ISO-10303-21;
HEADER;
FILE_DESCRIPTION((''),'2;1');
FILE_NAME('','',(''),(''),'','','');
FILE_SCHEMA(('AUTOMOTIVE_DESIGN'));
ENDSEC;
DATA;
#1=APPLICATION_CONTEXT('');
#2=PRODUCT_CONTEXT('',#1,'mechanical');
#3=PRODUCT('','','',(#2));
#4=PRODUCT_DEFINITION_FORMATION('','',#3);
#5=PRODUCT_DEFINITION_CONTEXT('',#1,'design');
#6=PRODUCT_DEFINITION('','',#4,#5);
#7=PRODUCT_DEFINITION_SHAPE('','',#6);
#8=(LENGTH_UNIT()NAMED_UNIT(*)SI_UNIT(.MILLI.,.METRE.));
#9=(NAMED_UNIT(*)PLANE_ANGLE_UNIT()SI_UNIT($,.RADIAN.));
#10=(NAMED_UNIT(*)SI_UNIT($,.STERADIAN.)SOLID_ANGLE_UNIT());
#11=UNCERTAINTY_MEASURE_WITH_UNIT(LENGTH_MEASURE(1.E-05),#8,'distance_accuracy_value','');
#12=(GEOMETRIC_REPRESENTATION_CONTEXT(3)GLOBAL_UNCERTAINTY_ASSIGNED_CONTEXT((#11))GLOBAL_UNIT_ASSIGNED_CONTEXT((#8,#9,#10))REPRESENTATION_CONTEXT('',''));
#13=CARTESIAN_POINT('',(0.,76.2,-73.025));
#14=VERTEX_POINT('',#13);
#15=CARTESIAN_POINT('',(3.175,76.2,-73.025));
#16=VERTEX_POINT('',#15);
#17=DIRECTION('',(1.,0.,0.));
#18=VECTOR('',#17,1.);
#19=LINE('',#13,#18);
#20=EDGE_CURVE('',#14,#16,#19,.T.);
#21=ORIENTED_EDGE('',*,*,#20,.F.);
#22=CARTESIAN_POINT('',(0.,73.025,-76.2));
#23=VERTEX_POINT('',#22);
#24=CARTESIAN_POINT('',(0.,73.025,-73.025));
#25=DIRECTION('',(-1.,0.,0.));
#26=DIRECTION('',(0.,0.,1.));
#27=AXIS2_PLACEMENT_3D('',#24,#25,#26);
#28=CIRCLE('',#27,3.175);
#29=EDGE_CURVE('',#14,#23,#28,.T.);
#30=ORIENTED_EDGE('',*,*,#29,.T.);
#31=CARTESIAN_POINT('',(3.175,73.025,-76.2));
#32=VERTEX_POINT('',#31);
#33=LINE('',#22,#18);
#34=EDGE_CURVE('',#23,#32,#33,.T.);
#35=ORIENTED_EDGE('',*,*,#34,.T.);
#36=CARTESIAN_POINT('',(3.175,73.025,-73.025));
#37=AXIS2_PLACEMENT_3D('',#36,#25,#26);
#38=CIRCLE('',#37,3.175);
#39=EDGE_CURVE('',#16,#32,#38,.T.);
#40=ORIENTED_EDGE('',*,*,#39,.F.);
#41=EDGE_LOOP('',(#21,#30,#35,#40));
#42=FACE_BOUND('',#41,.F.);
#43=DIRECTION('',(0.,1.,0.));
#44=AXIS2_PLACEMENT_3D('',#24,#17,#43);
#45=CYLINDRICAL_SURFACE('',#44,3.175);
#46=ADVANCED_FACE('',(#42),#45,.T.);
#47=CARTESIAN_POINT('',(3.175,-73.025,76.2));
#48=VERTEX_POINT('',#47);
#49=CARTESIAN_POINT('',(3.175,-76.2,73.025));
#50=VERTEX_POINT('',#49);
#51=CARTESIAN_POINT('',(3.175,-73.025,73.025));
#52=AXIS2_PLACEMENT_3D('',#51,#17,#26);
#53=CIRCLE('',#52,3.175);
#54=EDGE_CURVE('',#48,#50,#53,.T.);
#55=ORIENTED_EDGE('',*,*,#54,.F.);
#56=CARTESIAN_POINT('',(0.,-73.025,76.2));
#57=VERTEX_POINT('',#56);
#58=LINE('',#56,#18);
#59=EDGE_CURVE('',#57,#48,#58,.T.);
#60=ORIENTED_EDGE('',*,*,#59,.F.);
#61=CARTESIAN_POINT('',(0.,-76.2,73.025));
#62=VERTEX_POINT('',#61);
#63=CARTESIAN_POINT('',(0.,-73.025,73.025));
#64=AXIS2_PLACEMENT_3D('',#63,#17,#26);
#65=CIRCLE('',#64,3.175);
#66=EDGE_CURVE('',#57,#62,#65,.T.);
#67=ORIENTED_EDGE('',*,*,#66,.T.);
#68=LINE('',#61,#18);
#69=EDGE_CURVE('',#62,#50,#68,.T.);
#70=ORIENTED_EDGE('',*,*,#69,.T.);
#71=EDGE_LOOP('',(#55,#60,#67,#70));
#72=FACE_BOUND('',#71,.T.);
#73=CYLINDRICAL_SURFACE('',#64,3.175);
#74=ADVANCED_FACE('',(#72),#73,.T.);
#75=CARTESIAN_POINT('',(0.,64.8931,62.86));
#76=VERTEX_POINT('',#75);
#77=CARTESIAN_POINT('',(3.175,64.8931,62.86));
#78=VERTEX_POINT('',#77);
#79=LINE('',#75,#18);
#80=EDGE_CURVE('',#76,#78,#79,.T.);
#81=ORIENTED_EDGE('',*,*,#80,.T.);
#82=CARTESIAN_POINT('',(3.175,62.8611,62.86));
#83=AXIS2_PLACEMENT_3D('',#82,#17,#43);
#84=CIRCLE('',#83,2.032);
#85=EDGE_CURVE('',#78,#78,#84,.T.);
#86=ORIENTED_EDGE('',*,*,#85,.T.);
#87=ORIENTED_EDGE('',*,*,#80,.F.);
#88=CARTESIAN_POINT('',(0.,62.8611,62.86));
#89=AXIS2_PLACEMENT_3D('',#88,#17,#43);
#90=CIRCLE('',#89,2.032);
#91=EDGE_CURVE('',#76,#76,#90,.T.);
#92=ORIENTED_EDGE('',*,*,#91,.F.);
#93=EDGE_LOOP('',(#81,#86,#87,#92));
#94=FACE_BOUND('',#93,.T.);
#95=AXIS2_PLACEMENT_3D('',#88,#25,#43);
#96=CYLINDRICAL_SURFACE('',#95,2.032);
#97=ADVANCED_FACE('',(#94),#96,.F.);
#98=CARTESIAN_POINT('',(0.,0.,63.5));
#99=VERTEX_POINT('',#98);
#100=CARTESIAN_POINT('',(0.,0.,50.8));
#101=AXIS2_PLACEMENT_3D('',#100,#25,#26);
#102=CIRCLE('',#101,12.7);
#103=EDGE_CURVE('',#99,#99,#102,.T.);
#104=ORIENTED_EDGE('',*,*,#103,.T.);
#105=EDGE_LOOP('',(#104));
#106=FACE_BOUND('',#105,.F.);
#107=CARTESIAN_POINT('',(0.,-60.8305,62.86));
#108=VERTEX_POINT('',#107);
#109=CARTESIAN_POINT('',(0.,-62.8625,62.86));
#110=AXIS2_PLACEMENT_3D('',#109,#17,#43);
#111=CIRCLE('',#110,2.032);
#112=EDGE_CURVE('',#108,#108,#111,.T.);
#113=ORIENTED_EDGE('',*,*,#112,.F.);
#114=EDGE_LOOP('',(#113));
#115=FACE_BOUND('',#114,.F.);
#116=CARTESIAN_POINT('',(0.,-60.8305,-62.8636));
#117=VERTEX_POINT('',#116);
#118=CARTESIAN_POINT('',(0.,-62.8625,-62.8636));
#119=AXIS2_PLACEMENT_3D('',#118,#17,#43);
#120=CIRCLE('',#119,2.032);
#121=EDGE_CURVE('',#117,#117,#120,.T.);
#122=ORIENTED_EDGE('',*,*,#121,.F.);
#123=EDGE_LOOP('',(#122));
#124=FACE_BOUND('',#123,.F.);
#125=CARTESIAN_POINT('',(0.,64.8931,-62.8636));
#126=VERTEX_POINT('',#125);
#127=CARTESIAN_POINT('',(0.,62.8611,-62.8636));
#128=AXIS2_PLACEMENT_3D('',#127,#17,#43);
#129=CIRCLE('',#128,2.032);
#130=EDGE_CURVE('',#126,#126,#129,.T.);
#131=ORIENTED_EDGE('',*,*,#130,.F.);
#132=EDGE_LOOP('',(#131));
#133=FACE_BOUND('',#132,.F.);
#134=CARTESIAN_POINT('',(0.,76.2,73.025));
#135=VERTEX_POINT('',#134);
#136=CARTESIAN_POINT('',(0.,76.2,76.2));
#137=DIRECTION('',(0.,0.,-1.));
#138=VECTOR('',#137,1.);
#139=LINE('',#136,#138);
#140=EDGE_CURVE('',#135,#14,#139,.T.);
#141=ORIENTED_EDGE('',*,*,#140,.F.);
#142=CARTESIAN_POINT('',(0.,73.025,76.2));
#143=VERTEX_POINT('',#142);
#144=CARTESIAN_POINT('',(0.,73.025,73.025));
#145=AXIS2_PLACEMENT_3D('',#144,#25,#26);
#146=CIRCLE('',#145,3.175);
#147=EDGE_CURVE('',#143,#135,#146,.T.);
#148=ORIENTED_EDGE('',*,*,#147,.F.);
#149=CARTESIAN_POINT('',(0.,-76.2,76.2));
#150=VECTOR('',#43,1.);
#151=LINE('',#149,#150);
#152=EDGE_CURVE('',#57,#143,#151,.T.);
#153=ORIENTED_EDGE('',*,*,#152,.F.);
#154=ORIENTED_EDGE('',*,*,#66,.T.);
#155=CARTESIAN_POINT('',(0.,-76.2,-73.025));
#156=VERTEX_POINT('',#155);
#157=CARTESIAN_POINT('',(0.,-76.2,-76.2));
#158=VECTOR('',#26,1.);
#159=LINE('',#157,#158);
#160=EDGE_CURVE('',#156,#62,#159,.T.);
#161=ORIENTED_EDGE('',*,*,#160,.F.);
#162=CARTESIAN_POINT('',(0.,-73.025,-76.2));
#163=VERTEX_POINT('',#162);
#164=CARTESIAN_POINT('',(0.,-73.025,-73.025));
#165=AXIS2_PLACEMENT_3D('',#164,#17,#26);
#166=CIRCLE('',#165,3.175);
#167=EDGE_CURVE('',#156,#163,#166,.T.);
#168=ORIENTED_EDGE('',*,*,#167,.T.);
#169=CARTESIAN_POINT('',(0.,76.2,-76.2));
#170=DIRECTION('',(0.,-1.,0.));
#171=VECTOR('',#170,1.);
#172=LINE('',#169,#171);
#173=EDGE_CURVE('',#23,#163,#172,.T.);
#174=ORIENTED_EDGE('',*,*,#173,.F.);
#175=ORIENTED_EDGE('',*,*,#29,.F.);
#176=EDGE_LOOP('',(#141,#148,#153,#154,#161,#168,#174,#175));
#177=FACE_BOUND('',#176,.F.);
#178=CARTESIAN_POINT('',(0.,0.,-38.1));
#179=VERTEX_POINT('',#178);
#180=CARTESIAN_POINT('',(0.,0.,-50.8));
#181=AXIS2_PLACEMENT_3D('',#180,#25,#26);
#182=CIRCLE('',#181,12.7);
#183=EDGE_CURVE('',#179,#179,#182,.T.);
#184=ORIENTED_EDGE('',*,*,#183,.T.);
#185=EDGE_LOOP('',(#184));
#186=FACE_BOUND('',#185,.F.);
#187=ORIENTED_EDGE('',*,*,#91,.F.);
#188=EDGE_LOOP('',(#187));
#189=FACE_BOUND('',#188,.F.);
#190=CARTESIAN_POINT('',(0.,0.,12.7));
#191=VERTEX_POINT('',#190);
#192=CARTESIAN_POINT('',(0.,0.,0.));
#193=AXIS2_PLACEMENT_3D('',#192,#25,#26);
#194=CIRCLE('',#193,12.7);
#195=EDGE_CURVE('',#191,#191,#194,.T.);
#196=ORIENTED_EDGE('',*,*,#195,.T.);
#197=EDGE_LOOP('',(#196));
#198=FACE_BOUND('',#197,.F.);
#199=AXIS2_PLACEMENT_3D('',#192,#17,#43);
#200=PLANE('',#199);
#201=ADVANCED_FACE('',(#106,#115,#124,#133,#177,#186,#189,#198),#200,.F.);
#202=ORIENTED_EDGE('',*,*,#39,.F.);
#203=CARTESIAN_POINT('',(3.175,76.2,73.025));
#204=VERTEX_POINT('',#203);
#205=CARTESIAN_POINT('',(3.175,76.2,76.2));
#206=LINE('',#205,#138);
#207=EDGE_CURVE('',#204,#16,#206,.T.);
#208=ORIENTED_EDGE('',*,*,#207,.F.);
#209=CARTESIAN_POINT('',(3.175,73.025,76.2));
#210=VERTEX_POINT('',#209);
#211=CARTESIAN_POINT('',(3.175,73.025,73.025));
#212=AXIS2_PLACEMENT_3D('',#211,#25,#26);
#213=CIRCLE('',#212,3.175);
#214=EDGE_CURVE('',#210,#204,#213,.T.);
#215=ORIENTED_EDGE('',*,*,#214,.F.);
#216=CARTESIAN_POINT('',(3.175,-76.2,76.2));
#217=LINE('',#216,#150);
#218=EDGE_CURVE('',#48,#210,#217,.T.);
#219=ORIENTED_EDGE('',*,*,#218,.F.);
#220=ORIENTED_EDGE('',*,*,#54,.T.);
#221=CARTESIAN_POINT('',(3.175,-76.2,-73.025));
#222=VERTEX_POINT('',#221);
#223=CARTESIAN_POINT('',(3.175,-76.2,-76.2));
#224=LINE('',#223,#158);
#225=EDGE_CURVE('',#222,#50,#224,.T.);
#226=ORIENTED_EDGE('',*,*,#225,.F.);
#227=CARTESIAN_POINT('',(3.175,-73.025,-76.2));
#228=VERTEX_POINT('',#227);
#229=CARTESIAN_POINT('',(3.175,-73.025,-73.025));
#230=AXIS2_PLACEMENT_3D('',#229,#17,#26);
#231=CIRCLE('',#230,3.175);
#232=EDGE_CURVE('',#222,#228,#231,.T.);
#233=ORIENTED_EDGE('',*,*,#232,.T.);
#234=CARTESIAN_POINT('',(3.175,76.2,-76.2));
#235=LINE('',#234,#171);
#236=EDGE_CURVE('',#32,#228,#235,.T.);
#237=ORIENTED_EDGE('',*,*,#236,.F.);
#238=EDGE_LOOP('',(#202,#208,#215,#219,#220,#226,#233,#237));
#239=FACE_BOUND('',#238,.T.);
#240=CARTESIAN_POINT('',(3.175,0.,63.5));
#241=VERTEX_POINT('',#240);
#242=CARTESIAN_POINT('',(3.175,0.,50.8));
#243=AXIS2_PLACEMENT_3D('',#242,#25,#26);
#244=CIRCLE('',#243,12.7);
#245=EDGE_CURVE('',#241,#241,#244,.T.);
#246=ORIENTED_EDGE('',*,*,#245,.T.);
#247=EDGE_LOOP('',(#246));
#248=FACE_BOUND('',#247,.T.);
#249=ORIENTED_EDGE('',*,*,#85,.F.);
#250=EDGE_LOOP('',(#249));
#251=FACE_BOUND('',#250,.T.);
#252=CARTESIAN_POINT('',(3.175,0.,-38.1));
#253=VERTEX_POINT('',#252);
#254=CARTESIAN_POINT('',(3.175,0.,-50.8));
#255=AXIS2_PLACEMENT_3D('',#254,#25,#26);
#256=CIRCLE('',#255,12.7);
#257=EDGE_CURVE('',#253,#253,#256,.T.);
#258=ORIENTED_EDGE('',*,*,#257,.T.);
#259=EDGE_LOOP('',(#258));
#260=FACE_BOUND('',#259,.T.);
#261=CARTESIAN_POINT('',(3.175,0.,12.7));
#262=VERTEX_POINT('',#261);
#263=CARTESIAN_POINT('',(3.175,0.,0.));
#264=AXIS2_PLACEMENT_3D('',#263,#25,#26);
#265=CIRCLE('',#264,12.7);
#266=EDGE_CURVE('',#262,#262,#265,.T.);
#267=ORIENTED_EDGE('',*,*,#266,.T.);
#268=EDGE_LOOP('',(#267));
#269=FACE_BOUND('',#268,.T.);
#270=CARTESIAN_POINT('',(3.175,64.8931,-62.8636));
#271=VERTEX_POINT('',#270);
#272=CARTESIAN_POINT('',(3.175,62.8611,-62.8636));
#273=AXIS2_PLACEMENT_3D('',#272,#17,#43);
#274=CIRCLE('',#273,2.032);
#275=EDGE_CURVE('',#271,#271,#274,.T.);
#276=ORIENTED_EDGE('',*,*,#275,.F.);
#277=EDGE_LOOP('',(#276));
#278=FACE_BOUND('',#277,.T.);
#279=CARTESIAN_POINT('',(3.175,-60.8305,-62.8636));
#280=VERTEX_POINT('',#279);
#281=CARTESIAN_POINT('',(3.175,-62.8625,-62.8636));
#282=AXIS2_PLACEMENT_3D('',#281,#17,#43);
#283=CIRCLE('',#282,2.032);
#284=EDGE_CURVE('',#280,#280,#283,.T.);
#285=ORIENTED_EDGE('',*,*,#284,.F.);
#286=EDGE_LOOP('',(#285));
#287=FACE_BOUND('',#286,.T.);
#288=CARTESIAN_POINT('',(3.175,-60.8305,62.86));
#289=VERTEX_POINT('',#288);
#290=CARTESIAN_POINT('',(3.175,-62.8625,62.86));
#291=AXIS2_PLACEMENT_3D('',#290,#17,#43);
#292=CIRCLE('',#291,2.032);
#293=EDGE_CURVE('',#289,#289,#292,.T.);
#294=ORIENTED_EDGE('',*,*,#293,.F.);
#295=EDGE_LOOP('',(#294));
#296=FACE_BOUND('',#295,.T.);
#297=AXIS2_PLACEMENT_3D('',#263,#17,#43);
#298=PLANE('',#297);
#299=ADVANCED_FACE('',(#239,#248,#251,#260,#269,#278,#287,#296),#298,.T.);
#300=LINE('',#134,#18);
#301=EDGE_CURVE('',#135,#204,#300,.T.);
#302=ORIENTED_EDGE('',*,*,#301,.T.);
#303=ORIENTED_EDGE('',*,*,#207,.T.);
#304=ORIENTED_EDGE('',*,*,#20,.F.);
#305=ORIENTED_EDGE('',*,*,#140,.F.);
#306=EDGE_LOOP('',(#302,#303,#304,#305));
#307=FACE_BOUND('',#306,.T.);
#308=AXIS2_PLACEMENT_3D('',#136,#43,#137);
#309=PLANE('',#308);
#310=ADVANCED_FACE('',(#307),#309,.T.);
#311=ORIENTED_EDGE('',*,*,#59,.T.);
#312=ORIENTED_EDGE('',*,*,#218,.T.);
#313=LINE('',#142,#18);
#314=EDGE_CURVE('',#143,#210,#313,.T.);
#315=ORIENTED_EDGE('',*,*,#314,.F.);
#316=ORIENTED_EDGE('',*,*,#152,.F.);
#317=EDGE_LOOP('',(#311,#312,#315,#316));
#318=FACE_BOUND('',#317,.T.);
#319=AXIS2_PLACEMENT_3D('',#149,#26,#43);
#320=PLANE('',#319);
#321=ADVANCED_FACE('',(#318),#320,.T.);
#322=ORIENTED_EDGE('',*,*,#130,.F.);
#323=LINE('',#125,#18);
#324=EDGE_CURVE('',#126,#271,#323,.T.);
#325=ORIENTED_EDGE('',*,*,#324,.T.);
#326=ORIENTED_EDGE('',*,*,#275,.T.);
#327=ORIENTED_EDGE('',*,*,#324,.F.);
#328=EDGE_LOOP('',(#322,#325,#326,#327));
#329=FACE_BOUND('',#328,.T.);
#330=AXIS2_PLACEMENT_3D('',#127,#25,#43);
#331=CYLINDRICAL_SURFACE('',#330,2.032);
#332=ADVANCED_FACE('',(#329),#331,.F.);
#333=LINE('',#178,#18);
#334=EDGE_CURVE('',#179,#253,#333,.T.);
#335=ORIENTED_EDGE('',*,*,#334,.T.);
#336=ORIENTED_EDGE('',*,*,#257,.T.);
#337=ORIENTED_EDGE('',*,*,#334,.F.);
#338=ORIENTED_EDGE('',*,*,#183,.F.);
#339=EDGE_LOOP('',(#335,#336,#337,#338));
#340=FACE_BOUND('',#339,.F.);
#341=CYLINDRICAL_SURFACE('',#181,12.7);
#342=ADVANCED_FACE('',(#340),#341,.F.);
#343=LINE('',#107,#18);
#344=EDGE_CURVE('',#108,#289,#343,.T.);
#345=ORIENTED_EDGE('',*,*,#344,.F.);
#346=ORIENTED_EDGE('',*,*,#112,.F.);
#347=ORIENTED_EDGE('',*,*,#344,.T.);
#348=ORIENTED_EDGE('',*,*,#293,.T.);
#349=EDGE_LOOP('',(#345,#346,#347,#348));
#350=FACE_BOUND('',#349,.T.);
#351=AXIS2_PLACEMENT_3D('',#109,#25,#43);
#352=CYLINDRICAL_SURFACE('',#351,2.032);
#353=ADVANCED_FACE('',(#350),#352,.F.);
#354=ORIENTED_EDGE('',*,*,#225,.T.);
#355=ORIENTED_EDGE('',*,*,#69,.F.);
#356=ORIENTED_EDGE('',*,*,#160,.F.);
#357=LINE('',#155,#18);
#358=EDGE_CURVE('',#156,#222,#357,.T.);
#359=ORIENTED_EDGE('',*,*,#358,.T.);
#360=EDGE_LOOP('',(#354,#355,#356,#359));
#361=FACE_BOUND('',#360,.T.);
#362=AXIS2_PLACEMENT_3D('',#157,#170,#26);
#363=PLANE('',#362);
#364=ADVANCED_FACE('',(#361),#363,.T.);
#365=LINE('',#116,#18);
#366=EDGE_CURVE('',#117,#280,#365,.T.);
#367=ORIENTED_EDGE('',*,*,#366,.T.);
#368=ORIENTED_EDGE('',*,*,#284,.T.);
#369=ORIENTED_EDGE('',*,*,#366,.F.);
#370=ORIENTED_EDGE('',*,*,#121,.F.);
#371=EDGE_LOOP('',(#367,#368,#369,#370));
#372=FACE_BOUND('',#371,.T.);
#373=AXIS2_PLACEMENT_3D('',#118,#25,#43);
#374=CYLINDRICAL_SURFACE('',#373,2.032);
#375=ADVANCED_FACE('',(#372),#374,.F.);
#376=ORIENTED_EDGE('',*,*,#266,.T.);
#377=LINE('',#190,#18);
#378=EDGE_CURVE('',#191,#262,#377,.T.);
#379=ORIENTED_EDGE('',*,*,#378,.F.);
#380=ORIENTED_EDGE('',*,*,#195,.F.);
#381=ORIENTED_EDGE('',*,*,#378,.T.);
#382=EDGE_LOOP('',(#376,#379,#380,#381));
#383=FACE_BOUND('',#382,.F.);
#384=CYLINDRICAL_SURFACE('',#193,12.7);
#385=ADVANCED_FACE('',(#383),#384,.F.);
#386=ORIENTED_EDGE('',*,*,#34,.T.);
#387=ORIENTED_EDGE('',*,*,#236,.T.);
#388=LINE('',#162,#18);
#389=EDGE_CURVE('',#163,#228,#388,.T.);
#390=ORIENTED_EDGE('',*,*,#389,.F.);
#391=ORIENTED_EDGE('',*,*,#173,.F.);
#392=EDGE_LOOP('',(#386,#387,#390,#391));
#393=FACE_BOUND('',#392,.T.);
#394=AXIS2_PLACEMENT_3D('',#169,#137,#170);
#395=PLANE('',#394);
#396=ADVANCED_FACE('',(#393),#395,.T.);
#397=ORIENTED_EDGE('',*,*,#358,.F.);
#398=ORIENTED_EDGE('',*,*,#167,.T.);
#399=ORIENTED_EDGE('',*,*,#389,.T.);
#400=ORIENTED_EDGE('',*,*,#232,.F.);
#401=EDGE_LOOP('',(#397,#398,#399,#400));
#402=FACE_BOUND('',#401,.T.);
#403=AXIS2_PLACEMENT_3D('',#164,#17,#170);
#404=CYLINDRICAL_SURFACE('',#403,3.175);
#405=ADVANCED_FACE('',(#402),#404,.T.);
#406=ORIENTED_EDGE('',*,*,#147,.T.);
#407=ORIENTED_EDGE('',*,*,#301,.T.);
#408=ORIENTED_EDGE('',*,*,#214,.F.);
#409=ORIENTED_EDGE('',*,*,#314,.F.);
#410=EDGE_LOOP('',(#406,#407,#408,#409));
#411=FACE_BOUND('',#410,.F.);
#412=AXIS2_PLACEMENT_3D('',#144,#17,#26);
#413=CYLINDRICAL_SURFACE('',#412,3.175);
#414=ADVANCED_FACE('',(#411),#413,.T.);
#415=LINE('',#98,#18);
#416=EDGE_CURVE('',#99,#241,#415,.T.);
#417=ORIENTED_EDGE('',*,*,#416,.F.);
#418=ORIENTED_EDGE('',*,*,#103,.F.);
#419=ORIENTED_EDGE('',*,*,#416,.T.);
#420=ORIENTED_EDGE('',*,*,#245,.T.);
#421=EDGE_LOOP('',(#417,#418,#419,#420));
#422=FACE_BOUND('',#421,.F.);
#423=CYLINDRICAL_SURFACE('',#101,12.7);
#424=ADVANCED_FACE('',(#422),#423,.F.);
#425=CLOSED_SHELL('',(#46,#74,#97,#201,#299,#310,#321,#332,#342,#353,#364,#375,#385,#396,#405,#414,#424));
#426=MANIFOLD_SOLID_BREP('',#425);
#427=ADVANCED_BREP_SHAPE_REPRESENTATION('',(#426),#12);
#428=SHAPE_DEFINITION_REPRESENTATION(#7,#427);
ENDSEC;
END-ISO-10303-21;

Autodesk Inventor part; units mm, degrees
ref_plane "YZ Plane" through (0, 0, 0) normal (1, 0, 0) x (0, 1, 0)
ref_plane "XZ Plane" through (0, 0, 0) normal (0, 1, 0) x (-1, 0, 0)
ref_plane "XY Plane" through (0, 0, 0) normal (0, 0, 1) x (1, 0, 0)
sketch "Sketch1" plane through (0, 0, 0) normal (1, 0, 0) x (0, 1, 0)
  line L0 (-76.2, 76.2) -> (76.2, 76.2)
  line L1 (76.2, 76.2) -> (76.2, -76.2)
  line L2 (76.2, -76.2) -> (-76.2, -76.2)
  line L3 (-76.2, -76.2) -> (-76.2, 76.2)
  circle A0 centre (62.8611, 62.86) radius 2.032
  circle A1 centre (-62.8625, -62.8636) radius 2.032
  circle A2 centre (-0.0007, -88.9018) radius 2.032
  circle A3 centre (-62.8625, 62.86) radius 2.032
  circle A4 centre (88.8993, -0.0018) radius 2.032
  circle A5 centre (-88.9007, -0.0018) radius 2.032
  circle A6 centre (62.8611, -62.8636) radius 2.032
  circle A7 centre (-0.0007, 88.8982) radius 2.032
  circle A8 centre (-0.0007, -0.0018) radius 6.35
  dimension "d0" = 152.4
  dimension "d1" = 152.4
  dimension "d5" = 12.7
extrude "Extrusion2" add sketch "Sketch1" along normal blind 3.175 contours L0 L1 L2 L3 | A8
fillet "Fillet2" radius 3.175 4 edges at (1.5875, 76.2, 76.2) (1.5875, 76.2, -76.2) (1.5875, -76.2, 76.2) (1.5875, -76.2, -76.2)
sketch "Sketch2" plane through (3.175, 0, 0) normal (1, 0, 0) x (0, 0, -1)
  line L0 (-50.8, -50.8) -> (50.8, -50.8)
  line L1 (50.8, -50.8) -> (50.8, 50.8)
  line L2 (50.8, 50.8) -> (-50.8, 50.8)
  line L3 (-50.8, 50.8) -> (-50.8, -50.8)
  line L4 (-50.8, -50.8) -> (50.8, 50.8) construction
  line L5 (50.8, -50.8) -> (-50.8, 50.8) construction
  circle A0 centre (0, 0) radius 12.7
  line L6 (-12.7, 0) -> (-50.8, 38.1)
  line L7 (0, 12.7) -> (-38.1, 50.8)
  line L8 (-38.1, 50.8) -> (0, 12.7)
  line L9 (38.1, 50.8) -> (0, 12.7)
  line L10 (12.7, 0) -> (50.8, 38.1)
  line L11 (12.7, 0) -> (50.8, -38.1)
  line L12 (0, -12.7) -> (38.1, -50.8)
  line L13 (0, -12.7) -> (-38.1, -50.8)
  line L14 (-12.7, 0) -> (-50.8, -38.1)
  dimension "d9" = 101.6
  dimension "d10" = 101.6
  dimension "d11" = 25.4
extrude "Extrusion3" [suppressed]
fillet "Fillet3" [suppressed]
sketch "Sketch4" plane through (0, 0, 0) normal (-1, 0, 0) x (0, 0, 1)
  circle A0 centre (0, 0) radius 12.7
  circle A1 centre (50.8, 0) radius 12.7
  circle A2 centre (-50.8, 0) radius 12.7
  dimension "d18" = 25.4
  dimension "d21" = 25.4
  dimension "d22" = 25.4
  dimension "d23" = 50.8
  dimension "d24" = 50.8
extrude "Extrusion6" cut sketch "Sketch4" against normal blind 25.4
properties part number "Bottom Plate"
